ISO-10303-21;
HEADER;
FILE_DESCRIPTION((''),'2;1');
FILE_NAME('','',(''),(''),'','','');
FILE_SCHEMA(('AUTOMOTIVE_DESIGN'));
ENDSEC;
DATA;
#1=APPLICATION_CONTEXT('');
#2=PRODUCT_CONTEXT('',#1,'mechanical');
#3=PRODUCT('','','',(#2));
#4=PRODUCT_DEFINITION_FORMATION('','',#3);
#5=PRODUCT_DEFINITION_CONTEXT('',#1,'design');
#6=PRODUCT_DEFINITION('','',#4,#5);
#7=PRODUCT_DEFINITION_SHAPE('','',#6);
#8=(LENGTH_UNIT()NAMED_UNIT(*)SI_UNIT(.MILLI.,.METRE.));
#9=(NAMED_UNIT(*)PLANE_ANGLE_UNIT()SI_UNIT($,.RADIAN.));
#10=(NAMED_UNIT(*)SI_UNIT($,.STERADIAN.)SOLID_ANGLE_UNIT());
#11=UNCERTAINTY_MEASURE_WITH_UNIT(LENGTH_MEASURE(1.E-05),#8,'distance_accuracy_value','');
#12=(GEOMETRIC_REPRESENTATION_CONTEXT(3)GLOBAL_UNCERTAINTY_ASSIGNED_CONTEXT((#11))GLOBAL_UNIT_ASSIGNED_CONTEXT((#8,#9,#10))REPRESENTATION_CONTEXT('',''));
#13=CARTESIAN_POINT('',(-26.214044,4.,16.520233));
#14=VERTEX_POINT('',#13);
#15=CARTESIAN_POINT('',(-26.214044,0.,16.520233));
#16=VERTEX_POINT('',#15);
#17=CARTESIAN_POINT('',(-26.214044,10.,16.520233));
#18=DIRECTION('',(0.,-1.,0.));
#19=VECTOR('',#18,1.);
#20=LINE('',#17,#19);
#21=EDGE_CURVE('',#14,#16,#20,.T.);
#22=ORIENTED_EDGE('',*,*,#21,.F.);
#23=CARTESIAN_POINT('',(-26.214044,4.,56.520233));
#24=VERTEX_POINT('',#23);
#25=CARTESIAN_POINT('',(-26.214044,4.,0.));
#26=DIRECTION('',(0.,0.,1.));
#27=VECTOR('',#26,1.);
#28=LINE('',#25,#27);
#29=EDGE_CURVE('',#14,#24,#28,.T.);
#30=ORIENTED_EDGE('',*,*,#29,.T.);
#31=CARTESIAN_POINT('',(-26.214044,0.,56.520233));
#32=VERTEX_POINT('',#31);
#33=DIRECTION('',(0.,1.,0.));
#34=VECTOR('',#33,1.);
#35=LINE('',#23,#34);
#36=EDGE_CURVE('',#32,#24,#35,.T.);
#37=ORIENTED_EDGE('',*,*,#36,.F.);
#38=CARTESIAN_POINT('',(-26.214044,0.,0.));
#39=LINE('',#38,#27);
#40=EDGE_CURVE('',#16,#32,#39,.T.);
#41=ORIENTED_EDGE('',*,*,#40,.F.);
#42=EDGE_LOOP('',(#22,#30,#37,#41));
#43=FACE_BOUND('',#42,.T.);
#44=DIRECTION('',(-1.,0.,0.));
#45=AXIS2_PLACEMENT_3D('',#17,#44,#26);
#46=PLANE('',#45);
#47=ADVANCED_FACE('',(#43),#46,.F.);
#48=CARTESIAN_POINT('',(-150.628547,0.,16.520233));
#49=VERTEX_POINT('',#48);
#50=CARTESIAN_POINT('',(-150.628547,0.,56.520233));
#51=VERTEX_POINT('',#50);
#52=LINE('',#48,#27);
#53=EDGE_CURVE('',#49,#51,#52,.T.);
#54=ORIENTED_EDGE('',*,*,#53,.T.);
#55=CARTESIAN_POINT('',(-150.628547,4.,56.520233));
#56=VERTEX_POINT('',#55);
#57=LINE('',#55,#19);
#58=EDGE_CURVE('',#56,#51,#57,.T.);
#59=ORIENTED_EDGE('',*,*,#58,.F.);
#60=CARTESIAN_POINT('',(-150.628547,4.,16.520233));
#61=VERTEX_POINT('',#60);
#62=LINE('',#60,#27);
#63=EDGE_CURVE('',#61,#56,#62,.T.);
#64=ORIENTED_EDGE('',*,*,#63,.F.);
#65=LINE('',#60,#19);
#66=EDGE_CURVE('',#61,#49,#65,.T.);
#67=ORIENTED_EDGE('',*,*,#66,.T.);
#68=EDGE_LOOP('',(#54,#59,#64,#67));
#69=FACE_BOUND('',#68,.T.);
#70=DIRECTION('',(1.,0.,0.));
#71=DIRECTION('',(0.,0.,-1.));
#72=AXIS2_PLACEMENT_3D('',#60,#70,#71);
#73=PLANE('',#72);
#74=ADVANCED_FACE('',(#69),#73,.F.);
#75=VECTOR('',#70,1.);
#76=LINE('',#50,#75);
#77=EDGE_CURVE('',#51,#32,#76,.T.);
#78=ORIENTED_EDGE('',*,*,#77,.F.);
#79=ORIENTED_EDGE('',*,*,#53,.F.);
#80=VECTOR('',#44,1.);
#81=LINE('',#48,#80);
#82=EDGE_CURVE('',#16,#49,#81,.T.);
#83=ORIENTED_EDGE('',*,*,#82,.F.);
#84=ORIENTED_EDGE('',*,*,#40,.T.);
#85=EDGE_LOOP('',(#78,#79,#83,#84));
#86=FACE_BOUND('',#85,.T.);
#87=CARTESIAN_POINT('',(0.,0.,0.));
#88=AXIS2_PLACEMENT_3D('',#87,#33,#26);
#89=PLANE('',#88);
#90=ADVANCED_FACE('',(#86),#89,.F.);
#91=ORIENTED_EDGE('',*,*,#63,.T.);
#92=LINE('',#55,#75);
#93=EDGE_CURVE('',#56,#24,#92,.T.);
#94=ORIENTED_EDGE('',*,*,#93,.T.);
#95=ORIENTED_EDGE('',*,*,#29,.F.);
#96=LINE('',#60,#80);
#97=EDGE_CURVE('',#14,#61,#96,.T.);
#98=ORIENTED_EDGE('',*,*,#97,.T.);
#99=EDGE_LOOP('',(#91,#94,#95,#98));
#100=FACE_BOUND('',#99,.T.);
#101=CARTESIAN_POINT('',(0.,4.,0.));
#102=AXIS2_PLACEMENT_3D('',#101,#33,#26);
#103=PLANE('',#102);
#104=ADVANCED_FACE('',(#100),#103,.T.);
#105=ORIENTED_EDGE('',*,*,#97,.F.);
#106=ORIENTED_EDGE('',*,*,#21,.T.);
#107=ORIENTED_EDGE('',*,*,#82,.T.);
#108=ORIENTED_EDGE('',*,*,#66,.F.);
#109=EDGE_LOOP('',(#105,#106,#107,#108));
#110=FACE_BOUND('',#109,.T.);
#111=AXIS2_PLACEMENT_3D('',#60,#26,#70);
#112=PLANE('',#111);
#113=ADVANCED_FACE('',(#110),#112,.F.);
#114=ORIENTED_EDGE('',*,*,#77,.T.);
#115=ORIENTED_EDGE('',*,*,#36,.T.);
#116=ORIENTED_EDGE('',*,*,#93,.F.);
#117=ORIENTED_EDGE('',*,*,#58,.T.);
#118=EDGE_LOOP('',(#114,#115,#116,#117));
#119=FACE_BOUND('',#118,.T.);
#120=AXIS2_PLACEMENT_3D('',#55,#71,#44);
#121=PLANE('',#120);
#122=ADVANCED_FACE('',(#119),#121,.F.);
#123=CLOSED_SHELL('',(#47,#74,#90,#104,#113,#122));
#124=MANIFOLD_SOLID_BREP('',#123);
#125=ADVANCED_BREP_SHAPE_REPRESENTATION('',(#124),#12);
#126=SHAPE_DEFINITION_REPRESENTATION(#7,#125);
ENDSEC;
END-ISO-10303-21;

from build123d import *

# Parameters (mm, degrees)
SKETCH1_W           = 250
SKETCH1_H           = 40
BOSS_EXTRUDE1_DEPTH = 4
SKETCH2_W           = 144.143452794
SKETCH2_H           = 66.335420071
CUT_EXTRUDE1_DEPTH  = 10


with BuildPart() as part:
    # Sketch1 → Boss-Extrude1 (new body)
    with BuildSketch(Plane(origin=(0, 0, 0), x_dir=(1, 0, 0), z_dir=(0, 1, 0))):
        with Locations((-25.628547234, -36.520233304)):
            Rectangle(SKETCH1_W, SKETCH1_H)
    extrude(amount=BOSS_EXTRUDE1_DEPTH)

    # Sketch2 → Cut-Extrude1 (cut)
    with BuildSketch(Plane.XZ):
        with Locations((45.857682573, 49.68794334)):
            Rectangle(SKETCH2_W, SKETCH2_H)
    extrude(amount=-CUT_EXTRUDE1_DEPTH, mode=Mode.SUBTRACT)


solid = part.part
